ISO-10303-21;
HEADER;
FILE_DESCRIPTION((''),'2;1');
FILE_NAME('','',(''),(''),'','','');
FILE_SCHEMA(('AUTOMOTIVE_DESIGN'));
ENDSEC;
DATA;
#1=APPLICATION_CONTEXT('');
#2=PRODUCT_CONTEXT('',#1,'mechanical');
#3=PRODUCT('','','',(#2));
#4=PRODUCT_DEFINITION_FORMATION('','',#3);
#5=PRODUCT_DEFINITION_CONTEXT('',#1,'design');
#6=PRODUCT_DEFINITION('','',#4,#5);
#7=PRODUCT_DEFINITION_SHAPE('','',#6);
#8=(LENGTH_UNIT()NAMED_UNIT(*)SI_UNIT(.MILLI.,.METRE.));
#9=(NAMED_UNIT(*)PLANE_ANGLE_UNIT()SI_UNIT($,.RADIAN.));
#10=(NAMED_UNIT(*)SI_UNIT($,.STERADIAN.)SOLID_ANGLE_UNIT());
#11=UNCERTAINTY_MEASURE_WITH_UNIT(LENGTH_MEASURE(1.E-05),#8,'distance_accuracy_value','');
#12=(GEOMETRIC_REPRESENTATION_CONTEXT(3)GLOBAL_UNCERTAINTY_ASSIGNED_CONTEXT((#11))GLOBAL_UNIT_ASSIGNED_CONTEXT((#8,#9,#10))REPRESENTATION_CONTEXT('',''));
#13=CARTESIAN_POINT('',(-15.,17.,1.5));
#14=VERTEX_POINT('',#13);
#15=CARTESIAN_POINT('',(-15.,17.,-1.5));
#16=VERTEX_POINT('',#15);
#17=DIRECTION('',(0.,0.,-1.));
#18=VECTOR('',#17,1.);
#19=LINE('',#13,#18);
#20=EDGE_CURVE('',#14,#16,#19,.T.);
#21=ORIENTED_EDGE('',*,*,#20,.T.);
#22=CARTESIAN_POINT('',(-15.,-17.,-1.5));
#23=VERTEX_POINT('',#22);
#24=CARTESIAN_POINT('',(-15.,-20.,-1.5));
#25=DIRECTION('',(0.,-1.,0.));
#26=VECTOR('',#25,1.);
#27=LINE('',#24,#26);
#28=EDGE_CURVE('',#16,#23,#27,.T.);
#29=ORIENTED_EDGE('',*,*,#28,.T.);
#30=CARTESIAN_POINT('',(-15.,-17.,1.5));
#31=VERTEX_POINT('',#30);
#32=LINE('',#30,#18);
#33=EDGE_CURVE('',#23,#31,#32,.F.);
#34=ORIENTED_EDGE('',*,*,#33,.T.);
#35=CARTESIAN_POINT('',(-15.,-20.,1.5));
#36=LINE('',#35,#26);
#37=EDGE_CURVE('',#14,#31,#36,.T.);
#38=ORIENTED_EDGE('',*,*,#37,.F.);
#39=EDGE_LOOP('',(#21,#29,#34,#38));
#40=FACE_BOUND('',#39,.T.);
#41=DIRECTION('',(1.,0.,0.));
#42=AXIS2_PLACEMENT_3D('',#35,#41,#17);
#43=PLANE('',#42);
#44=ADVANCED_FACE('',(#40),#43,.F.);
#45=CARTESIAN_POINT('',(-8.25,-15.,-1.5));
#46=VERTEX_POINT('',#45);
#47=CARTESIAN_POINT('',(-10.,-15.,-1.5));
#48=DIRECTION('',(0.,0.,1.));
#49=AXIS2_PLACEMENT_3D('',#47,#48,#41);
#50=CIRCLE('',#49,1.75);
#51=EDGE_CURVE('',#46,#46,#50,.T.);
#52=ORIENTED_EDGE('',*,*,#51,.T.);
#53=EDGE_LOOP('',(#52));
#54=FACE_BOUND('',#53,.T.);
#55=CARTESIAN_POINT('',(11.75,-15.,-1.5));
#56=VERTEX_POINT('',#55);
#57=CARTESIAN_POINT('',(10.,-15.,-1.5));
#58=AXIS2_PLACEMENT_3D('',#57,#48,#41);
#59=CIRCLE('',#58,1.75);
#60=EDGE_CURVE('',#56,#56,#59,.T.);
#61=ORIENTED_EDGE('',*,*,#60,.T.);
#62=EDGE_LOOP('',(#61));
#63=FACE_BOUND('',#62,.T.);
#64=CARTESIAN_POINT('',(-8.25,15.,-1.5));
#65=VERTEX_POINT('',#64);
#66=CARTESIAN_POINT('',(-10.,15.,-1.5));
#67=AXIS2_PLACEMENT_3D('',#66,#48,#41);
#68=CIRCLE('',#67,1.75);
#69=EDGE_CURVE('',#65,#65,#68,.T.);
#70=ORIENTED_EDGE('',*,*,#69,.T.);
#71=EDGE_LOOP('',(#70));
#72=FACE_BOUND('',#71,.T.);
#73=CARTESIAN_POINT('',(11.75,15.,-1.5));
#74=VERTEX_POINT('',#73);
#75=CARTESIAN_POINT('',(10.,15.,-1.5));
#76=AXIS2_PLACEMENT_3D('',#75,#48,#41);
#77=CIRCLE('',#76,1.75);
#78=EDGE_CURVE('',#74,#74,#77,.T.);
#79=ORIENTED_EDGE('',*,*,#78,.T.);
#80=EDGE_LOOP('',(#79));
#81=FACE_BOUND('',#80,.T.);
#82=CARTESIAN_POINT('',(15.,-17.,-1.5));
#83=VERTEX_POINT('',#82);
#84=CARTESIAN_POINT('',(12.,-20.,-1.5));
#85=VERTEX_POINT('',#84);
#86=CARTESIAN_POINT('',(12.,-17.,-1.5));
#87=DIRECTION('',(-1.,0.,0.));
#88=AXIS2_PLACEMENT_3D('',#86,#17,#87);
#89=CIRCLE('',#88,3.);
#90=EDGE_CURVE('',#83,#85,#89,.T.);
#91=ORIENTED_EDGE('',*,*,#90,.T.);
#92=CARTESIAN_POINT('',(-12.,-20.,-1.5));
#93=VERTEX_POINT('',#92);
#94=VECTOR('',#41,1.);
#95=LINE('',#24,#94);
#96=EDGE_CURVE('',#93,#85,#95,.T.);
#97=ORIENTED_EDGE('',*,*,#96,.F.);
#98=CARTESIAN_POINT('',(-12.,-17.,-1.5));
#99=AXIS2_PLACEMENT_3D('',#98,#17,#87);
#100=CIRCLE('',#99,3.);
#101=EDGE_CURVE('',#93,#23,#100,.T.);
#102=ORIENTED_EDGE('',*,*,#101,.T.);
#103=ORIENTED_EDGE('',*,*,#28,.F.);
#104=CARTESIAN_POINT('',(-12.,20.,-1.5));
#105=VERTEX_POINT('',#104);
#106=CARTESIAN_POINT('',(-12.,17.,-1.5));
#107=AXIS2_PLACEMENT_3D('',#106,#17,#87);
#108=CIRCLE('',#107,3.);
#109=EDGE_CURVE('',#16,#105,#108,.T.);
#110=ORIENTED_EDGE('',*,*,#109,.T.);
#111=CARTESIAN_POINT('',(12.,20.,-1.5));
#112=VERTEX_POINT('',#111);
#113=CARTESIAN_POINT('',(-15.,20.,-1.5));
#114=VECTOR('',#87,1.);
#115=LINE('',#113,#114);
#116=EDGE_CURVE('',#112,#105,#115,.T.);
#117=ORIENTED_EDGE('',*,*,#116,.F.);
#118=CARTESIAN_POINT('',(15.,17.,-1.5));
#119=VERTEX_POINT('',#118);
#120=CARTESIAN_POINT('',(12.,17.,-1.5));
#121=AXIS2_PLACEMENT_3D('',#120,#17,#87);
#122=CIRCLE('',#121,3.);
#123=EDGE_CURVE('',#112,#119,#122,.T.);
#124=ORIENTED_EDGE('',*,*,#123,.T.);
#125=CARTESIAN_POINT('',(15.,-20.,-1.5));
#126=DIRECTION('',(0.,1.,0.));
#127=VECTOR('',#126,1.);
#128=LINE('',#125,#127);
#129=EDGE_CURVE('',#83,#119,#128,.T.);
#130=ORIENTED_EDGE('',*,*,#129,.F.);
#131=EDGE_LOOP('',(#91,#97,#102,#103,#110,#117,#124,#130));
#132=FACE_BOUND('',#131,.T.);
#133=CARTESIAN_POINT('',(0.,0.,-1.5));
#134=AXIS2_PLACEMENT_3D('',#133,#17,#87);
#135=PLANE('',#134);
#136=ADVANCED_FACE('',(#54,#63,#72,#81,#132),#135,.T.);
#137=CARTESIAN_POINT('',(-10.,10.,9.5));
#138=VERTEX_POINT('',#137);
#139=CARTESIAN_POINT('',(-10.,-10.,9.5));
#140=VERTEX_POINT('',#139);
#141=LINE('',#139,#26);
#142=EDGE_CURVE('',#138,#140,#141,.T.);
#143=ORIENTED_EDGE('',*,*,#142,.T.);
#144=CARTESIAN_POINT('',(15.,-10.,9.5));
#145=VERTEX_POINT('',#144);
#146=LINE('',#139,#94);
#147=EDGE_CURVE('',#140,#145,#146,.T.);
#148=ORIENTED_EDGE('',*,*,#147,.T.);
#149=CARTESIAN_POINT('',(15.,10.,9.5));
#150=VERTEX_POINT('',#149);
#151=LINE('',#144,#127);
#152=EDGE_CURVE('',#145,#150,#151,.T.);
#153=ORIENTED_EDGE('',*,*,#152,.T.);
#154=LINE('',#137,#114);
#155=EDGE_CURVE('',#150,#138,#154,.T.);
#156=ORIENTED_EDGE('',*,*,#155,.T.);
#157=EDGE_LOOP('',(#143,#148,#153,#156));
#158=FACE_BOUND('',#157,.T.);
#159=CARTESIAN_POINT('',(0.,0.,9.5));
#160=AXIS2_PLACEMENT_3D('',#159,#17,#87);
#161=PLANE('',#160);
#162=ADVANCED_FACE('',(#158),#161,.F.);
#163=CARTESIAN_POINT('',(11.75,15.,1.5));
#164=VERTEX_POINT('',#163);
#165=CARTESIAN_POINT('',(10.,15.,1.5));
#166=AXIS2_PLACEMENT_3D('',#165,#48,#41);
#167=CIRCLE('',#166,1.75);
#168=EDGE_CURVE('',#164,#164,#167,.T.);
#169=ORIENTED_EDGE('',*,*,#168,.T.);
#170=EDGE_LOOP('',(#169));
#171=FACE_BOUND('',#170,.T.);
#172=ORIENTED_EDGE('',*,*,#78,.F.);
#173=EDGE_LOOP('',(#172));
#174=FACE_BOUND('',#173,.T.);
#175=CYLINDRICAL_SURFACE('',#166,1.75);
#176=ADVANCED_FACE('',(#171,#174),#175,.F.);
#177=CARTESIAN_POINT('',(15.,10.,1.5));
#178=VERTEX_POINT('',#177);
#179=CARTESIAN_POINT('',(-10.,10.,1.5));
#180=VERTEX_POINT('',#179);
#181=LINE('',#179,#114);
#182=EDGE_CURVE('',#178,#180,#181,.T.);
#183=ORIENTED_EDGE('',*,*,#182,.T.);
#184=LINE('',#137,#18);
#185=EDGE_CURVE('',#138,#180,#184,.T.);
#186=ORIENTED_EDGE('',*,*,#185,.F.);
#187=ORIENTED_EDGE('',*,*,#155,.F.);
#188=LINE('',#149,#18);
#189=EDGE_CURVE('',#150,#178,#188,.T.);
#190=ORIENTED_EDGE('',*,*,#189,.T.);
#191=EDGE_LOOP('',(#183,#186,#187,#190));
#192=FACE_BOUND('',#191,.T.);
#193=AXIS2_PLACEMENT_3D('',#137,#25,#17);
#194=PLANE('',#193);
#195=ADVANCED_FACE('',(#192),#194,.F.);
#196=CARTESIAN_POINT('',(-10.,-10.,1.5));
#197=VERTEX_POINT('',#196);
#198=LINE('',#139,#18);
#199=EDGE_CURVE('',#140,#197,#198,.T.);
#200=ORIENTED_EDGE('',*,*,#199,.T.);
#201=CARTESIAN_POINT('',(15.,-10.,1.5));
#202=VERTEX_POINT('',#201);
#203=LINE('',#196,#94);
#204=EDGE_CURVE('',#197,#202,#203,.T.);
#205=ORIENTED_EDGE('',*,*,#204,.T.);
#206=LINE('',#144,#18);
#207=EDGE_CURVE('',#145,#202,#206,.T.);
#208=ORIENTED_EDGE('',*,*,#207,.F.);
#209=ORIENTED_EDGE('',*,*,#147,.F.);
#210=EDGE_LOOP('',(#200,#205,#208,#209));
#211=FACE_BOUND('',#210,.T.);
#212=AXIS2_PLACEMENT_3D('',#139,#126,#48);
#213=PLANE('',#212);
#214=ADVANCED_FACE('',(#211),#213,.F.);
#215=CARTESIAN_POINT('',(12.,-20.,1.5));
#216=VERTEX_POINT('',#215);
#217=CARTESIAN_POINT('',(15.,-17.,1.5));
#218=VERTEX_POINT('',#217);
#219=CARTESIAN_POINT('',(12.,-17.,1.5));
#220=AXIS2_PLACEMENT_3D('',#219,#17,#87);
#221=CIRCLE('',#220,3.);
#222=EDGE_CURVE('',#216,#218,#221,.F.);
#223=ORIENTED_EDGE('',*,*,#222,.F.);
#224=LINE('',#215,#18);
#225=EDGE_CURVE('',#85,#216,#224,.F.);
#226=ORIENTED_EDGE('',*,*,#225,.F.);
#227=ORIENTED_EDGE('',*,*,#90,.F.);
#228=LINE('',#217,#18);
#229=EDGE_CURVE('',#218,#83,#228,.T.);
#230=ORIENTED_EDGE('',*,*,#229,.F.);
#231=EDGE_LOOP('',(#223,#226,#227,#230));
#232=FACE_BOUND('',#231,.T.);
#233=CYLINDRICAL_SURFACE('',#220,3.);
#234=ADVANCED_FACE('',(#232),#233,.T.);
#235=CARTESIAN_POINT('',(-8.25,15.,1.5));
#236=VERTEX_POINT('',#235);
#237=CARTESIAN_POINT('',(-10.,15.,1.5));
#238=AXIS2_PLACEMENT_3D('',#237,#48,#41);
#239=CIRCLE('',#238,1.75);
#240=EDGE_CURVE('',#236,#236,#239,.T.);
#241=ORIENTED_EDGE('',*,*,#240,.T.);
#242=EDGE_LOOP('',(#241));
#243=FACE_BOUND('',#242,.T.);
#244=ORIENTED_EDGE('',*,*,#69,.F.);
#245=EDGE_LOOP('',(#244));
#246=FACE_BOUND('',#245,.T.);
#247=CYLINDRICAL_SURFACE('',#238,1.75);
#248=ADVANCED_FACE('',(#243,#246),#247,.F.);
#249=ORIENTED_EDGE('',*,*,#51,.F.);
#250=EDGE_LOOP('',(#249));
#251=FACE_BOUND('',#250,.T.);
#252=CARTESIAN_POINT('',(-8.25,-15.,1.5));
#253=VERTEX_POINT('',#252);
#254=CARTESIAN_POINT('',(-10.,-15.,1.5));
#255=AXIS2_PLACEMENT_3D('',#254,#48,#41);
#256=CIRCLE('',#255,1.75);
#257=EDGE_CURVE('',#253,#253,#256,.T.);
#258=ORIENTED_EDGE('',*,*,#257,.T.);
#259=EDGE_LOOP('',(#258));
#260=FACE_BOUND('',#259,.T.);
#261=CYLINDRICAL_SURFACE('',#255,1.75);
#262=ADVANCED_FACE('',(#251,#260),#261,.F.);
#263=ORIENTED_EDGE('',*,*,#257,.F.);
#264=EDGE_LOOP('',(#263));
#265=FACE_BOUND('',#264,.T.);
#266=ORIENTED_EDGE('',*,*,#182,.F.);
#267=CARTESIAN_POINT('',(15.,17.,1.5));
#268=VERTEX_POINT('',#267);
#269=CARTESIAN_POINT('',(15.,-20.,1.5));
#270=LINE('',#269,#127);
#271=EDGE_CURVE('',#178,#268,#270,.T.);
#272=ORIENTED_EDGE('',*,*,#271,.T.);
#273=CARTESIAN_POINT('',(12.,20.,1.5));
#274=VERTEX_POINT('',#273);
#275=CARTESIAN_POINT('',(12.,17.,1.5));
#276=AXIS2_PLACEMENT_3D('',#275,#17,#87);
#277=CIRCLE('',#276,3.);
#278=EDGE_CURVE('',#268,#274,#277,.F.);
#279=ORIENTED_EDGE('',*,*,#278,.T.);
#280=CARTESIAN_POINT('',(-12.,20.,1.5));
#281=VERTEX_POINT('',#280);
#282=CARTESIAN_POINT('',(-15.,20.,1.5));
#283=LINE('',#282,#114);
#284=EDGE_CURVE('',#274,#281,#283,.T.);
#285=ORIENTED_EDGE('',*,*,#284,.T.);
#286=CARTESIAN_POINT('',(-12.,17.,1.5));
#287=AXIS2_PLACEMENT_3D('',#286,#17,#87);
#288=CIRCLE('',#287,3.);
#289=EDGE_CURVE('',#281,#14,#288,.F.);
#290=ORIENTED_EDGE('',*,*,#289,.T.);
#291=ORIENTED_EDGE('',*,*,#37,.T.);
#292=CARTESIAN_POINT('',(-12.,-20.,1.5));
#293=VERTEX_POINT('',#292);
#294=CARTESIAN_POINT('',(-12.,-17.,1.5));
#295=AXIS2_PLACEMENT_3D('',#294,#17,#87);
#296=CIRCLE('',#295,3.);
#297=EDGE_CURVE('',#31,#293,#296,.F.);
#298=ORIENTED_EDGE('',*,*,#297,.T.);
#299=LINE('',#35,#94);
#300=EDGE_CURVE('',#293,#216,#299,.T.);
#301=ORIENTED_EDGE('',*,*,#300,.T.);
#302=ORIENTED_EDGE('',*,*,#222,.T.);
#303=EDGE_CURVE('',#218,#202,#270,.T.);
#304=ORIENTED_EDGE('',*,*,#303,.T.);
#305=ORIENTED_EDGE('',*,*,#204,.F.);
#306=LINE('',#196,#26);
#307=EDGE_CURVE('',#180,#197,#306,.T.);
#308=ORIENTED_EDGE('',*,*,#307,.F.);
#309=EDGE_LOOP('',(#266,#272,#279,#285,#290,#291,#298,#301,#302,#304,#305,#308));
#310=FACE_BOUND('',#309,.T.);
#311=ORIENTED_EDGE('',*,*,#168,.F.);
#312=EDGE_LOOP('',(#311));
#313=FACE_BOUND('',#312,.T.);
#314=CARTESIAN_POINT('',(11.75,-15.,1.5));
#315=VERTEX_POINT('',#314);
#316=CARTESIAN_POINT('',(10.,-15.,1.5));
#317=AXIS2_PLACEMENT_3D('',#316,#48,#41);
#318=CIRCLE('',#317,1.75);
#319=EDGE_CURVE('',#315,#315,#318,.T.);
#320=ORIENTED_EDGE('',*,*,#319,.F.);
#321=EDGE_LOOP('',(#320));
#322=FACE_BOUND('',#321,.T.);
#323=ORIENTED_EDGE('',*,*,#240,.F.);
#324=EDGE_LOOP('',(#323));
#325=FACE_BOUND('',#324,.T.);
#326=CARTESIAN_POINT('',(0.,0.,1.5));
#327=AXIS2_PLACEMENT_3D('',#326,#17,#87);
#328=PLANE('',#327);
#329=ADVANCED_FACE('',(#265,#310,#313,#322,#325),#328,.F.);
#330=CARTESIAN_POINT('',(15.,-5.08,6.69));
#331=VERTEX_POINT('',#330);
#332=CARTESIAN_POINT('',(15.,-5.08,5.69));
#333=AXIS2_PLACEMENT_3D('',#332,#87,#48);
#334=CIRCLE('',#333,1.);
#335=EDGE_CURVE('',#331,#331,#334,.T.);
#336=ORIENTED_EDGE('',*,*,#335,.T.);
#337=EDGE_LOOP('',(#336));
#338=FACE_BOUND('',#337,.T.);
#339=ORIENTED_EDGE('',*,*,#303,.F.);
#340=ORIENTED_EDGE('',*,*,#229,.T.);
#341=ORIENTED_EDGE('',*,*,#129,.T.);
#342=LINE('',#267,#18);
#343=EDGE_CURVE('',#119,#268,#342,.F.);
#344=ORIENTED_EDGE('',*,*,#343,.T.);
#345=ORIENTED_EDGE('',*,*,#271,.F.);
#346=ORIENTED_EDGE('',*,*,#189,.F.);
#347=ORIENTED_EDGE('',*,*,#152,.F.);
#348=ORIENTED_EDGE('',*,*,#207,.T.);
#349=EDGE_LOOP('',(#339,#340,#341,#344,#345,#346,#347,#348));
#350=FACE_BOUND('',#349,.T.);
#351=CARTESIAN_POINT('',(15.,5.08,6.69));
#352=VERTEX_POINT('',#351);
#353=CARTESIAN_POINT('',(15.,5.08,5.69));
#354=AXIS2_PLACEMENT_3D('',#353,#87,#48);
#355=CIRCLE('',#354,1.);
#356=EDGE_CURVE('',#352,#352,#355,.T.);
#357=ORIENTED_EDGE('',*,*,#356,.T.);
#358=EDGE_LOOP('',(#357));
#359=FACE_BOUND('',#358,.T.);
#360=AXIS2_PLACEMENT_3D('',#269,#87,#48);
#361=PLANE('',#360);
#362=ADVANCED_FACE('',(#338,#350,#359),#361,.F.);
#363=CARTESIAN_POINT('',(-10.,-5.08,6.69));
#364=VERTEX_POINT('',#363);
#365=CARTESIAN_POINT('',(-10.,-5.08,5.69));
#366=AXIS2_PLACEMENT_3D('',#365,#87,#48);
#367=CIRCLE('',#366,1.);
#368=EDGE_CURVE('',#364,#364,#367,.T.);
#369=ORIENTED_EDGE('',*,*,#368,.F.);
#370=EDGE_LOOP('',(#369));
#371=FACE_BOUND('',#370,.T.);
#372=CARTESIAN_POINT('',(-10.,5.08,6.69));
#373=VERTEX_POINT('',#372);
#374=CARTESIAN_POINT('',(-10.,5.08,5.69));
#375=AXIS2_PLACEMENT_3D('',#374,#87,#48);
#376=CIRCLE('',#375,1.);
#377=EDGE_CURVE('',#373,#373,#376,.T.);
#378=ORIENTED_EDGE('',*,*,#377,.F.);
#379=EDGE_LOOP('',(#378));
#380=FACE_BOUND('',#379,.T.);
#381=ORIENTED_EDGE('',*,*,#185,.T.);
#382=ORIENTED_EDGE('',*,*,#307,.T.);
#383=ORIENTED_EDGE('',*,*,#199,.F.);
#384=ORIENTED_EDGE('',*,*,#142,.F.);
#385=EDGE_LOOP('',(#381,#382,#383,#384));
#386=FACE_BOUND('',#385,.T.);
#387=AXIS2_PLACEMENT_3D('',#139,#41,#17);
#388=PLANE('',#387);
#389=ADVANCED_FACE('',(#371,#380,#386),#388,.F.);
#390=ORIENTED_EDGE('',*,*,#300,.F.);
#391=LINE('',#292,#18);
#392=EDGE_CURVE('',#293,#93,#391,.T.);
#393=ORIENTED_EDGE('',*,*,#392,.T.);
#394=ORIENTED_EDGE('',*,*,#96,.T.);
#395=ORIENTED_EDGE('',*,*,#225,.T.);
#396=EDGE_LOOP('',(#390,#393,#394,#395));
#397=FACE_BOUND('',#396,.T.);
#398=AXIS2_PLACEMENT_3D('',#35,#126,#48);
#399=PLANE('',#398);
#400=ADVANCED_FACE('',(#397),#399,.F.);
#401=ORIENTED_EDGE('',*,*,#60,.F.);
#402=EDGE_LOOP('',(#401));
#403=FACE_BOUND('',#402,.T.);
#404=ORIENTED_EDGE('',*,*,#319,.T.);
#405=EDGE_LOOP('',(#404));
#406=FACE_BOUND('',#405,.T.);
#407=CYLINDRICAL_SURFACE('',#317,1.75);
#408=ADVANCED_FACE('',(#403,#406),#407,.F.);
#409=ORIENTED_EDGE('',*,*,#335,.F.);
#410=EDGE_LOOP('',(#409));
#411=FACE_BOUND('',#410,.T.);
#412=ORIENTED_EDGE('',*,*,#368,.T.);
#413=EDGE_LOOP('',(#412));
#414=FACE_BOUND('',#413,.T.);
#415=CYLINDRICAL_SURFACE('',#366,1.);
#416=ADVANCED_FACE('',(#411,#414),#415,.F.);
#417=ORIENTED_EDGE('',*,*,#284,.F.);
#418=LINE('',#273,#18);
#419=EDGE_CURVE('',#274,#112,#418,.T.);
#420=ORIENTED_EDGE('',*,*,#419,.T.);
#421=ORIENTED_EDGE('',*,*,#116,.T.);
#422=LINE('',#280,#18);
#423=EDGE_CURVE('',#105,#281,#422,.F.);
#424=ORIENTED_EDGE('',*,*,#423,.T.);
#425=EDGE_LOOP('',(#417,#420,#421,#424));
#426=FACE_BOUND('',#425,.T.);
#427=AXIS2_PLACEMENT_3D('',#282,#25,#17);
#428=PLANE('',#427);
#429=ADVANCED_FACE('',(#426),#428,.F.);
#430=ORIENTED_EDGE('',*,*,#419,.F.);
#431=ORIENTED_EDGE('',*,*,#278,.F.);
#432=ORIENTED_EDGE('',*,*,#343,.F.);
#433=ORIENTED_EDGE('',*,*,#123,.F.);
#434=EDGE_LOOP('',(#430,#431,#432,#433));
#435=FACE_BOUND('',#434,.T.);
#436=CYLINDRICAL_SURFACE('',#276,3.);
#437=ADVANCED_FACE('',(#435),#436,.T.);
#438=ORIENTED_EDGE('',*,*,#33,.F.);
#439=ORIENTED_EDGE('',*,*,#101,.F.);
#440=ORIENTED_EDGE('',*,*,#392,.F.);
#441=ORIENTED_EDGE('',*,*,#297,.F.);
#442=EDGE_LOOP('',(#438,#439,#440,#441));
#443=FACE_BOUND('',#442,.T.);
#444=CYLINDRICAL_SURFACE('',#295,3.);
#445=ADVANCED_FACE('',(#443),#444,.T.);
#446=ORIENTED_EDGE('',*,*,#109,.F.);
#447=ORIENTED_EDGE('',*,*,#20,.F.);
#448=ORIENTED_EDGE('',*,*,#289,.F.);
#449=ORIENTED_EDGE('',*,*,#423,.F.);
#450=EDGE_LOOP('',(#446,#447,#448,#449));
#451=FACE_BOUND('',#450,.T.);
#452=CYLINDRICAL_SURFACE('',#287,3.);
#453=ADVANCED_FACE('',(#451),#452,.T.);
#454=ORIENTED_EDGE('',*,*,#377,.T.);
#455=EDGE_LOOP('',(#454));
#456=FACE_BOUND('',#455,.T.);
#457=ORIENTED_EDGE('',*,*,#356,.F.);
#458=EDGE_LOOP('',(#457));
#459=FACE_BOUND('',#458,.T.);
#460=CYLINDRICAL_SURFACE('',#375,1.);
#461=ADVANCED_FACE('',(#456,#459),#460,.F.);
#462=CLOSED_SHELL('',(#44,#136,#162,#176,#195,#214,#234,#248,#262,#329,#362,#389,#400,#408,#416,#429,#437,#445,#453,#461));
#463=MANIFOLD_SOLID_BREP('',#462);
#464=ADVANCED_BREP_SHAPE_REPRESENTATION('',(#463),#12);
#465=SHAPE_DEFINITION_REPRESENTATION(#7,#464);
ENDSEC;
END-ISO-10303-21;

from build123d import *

# Parameters (mm, degrees)
SKETCH_1_W              = 30
SKETCH_1_H              = 40
EXTRUDE_1_DEPTH         = 1.5
SKETCH_2_W              = 25
SKETCH_2_H              = 20
EXTRUDE_2_DEPTH         = 8
HOLE_WIZARD_2_0_2_3_D   = 2
HOLE_WIZARD_3_5_3_5_1_D = 3.5
FILLET_1_R              = 3


with BuildPart() as part:
    # 草圖1 → 填料-伸長1 (new, symmetric)
    with BuildSketch(Plane.XY):
        Rectangle(SKETCH_1_W, SKETCH_1_H)
    extrude(amount=EXTRUDE_1_DEPTH, both=True)

    # 草圖2 → 填料-伸長2 (add)
    with BuildSketch(Plane.XY.offset(1.5)):
        with Locations((2.5, 0)):
            Rectangle(SKETCH_2_W, SKETCH_2_H)
    extrude(amount=EXTRUDE_2_DEPTH)

    # Ø2.0 (2) 直徑孔3 (through all)
    with Locations(Plane.ZY.offset(10)):
        with Locations((5.69, 5.08), (5.69, -5.08)):
            Hole(HOLE_WIZARD_2_0_2_3_D / 2)

    # Ø3.5 (3.5) 直徑孔1 (through all)
    with Locations(Plane.XY.offset(1.5)):
        with Locations((10, 15), (-10, -15), (-10, 15), (10, -15)):
            Hole(HOLE_WIZARD_3_5_3_5_1_D / 2)

    # 圓角1
    fillet_1_edges = [part.edges().sort_by_distance(p)[0] for p in [
        (15, -20, 0),
        (-15, -20, 0),
        (-15, 20, 0),
        (15, 20, 0),
    ]]
    fillet(fillet_1_edges, radius=FILLET_1_R)


solid = part.part
